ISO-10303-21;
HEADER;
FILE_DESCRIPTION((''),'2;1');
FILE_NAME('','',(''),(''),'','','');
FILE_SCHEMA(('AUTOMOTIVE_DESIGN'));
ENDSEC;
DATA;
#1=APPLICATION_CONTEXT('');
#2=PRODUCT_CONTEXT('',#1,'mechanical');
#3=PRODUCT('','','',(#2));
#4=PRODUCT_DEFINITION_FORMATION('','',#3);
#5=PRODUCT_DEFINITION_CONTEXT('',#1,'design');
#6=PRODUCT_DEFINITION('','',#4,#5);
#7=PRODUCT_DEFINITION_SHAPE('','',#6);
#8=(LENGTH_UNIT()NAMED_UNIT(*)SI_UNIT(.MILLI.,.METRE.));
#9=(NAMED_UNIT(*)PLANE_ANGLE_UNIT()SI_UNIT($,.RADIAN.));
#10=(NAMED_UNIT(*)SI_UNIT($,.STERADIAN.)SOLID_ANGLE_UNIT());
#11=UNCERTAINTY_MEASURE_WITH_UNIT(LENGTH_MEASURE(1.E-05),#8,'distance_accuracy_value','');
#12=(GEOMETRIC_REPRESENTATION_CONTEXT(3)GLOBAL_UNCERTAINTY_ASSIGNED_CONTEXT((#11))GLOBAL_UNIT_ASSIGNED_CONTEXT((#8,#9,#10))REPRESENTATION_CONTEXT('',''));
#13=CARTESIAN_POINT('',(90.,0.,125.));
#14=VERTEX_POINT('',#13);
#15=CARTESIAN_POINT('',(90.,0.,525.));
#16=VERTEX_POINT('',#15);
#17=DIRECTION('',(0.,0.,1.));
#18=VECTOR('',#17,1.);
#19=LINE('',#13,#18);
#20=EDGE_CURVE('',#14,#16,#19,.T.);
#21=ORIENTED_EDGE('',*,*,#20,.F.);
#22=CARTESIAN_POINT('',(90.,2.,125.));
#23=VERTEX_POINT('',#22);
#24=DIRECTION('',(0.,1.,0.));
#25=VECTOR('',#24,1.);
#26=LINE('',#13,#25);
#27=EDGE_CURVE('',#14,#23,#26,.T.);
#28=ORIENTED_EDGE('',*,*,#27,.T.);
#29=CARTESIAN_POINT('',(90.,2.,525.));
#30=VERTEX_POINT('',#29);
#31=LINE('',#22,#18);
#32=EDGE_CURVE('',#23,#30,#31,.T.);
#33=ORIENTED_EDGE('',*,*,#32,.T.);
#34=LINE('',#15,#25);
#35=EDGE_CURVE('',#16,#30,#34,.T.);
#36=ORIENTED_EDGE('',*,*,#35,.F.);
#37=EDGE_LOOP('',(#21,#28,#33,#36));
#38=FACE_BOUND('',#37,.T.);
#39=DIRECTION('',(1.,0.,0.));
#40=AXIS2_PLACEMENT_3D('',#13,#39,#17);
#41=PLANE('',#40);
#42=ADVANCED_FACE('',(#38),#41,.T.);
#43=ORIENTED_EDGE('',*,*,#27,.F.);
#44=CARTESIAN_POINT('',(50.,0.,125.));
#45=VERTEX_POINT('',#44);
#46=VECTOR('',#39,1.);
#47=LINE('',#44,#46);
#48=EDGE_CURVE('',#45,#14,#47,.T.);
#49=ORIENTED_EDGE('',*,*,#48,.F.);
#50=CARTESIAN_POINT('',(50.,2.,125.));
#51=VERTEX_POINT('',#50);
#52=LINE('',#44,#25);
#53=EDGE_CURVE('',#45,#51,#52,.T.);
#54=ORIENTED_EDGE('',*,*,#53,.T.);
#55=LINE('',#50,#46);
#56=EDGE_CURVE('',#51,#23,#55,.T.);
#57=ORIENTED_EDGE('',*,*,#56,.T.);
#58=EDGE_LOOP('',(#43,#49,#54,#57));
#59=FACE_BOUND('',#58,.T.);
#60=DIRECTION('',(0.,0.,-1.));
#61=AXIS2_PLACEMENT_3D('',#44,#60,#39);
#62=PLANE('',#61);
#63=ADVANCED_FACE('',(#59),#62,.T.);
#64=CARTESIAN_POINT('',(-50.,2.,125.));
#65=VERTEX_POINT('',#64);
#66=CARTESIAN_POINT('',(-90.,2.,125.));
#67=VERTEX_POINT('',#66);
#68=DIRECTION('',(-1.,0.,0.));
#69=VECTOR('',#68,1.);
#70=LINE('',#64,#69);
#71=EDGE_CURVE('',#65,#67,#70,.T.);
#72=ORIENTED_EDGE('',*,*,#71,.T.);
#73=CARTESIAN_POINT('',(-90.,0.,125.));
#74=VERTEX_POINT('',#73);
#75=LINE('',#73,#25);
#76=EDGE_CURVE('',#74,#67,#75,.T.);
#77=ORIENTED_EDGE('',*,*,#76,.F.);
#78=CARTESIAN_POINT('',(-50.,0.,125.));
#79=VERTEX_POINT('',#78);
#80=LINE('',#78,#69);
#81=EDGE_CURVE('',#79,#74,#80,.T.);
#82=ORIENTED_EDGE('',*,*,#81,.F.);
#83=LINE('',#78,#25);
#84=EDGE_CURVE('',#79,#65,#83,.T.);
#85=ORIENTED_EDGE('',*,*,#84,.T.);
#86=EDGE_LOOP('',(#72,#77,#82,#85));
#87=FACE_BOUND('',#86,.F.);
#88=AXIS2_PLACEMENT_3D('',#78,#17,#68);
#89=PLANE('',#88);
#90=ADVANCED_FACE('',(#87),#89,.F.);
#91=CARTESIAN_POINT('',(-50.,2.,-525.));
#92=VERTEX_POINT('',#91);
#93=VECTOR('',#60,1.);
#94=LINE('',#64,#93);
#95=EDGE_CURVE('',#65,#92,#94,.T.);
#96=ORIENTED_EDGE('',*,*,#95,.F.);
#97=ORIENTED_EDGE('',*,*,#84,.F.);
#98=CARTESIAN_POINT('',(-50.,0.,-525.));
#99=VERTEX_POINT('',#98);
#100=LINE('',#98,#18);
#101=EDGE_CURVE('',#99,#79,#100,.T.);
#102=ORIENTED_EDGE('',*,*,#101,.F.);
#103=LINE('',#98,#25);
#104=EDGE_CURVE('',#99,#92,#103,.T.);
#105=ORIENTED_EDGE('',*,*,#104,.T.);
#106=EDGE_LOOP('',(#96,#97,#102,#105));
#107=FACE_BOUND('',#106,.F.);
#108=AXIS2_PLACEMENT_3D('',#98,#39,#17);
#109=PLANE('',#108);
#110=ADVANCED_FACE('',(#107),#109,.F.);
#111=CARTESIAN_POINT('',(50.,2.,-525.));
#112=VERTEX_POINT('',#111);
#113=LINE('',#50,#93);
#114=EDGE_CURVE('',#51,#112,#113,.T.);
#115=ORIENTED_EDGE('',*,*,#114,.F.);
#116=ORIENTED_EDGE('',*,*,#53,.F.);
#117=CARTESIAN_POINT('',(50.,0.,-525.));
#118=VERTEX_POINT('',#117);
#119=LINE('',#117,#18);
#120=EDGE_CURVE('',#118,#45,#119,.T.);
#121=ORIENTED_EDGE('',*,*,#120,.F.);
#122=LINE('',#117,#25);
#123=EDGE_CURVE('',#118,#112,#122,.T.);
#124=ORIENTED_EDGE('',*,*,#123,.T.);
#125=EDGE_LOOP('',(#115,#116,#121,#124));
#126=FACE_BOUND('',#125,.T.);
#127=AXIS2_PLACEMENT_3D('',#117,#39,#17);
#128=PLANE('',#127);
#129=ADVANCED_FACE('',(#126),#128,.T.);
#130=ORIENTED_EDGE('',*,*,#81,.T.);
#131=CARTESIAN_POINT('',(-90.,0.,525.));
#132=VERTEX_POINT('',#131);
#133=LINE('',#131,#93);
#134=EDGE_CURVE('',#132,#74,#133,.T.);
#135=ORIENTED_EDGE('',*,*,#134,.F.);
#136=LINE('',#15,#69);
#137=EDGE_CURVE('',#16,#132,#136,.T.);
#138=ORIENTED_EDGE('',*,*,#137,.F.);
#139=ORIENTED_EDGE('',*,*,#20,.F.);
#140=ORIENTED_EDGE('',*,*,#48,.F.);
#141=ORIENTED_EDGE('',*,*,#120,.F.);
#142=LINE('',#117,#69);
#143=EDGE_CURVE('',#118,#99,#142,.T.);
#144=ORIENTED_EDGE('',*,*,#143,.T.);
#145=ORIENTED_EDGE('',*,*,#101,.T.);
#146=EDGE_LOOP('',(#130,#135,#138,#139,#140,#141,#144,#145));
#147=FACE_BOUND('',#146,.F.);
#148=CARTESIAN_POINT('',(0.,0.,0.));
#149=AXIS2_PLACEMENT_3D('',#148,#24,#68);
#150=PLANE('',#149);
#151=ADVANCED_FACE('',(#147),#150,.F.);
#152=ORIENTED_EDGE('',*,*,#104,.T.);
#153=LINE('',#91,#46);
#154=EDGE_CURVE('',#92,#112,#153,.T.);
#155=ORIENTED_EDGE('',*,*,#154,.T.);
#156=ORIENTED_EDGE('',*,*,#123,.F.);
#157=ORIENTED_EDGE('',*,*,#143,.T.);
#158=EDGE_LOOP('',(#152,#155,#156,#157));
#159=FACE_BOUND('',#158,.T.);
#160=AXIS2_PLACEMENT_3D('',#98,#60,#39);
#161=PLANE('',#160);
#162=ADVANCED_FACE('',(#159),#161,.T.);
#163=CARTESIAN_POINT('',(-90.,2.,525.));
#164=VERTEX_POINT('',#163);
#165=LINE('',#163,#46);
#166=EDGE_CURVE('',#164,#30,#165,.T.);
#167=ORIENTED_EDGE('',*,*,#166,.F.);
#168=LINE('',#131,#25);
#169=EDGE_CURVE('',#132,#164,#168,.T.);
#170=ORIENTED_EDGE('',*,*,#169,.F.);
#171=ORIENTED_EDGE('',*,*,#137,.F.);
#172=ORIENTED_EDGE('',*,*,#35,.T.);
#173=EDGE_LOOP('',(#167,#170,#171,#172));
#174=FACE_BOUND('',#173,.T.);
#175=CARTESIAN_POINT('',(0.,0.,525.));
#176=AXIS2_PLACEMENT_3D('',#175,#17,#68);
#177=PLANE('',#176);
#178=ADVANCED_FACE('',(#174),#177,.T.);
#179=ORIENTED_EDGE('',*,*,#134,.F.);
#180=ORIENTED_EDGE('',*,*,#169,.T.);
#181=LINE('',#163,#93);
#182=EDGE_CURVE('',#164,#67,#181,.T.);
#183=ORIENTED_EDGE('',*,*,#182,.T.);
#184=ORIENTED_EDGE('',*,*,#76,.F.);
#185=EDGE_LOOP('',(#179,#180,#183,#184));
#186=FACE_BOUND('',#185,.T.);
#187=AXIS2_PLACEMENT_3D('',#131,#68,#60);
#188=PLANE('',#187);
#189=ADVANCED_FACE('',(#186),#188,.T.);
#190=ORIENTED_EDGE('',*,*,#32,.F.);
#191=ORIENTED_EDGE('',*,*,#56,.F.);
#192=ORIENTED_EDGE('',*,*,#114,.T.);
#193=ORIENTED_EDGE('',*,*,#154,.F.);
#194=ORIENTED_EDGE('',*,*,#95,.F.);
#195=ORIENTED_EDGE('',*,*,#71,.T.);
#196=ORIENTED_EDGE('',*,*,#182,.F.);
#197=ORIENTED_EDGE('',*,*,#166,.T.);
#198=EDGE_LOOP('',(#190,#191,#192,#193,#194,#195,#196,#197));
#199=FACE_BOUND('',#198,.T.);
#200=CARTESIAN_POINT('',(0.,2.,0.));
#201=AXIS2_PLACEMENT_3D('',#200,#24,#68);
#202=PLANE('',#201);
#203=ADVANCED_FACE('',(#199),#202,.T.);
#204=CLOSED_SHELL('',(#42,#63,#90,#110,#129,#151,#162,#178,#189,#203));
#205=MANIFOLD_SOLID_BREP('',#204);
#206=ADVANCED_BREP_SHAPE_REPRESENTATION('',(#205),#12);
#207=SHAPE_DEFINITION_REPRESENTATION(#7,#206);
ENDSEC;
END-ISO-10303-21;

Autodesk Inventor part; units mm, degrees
ref_plane "YZ Plane" through (0, 0, 0) normal (1, 0, 0) x (0, 1, 0)
ref_plane "XZ Plane" through (0, 0, 0) normal (0, 1, 0) x (-1, 0, 0)
ref_plane "XY Plane" through (0, 0, 0) normal (0, 0, 1) x (1, 0, 0)
sketch "Sketch1" plane through (0, 0, 0) normal (0, 1, 0) x (-1, 0, 0)
  line L0 (50, -525) -> (-50, -525)
  line L1 (-90, 125) -> (-90, 525)
  line L2 (-90, 525) -> (90, 525)
  line L3 (-50, -525) -> (-50, 125)
  line L4 (-50, 125) -> (-90, 125)
  line L5 (0, 525) -> (0, -525)
  line L6 (50, -525) -> (50, 125)
  line L7 (50, 125) -> (90, 125)
  line L8 (90, 525) -> (90, 125)
  line L9 (50, 0) -> (-50, 0)
  point P0 (0, 0)
  dimension "d2" = 650
  dimension "d6" = 1050
  dimension "d7" = 180
  dimension "d8" = 40
  dimension "d9" = 140
extrude "Extrusion1" add sketch "Sketch1" along normal blind 2
properties part number "Re" material "LCP Plastic"
